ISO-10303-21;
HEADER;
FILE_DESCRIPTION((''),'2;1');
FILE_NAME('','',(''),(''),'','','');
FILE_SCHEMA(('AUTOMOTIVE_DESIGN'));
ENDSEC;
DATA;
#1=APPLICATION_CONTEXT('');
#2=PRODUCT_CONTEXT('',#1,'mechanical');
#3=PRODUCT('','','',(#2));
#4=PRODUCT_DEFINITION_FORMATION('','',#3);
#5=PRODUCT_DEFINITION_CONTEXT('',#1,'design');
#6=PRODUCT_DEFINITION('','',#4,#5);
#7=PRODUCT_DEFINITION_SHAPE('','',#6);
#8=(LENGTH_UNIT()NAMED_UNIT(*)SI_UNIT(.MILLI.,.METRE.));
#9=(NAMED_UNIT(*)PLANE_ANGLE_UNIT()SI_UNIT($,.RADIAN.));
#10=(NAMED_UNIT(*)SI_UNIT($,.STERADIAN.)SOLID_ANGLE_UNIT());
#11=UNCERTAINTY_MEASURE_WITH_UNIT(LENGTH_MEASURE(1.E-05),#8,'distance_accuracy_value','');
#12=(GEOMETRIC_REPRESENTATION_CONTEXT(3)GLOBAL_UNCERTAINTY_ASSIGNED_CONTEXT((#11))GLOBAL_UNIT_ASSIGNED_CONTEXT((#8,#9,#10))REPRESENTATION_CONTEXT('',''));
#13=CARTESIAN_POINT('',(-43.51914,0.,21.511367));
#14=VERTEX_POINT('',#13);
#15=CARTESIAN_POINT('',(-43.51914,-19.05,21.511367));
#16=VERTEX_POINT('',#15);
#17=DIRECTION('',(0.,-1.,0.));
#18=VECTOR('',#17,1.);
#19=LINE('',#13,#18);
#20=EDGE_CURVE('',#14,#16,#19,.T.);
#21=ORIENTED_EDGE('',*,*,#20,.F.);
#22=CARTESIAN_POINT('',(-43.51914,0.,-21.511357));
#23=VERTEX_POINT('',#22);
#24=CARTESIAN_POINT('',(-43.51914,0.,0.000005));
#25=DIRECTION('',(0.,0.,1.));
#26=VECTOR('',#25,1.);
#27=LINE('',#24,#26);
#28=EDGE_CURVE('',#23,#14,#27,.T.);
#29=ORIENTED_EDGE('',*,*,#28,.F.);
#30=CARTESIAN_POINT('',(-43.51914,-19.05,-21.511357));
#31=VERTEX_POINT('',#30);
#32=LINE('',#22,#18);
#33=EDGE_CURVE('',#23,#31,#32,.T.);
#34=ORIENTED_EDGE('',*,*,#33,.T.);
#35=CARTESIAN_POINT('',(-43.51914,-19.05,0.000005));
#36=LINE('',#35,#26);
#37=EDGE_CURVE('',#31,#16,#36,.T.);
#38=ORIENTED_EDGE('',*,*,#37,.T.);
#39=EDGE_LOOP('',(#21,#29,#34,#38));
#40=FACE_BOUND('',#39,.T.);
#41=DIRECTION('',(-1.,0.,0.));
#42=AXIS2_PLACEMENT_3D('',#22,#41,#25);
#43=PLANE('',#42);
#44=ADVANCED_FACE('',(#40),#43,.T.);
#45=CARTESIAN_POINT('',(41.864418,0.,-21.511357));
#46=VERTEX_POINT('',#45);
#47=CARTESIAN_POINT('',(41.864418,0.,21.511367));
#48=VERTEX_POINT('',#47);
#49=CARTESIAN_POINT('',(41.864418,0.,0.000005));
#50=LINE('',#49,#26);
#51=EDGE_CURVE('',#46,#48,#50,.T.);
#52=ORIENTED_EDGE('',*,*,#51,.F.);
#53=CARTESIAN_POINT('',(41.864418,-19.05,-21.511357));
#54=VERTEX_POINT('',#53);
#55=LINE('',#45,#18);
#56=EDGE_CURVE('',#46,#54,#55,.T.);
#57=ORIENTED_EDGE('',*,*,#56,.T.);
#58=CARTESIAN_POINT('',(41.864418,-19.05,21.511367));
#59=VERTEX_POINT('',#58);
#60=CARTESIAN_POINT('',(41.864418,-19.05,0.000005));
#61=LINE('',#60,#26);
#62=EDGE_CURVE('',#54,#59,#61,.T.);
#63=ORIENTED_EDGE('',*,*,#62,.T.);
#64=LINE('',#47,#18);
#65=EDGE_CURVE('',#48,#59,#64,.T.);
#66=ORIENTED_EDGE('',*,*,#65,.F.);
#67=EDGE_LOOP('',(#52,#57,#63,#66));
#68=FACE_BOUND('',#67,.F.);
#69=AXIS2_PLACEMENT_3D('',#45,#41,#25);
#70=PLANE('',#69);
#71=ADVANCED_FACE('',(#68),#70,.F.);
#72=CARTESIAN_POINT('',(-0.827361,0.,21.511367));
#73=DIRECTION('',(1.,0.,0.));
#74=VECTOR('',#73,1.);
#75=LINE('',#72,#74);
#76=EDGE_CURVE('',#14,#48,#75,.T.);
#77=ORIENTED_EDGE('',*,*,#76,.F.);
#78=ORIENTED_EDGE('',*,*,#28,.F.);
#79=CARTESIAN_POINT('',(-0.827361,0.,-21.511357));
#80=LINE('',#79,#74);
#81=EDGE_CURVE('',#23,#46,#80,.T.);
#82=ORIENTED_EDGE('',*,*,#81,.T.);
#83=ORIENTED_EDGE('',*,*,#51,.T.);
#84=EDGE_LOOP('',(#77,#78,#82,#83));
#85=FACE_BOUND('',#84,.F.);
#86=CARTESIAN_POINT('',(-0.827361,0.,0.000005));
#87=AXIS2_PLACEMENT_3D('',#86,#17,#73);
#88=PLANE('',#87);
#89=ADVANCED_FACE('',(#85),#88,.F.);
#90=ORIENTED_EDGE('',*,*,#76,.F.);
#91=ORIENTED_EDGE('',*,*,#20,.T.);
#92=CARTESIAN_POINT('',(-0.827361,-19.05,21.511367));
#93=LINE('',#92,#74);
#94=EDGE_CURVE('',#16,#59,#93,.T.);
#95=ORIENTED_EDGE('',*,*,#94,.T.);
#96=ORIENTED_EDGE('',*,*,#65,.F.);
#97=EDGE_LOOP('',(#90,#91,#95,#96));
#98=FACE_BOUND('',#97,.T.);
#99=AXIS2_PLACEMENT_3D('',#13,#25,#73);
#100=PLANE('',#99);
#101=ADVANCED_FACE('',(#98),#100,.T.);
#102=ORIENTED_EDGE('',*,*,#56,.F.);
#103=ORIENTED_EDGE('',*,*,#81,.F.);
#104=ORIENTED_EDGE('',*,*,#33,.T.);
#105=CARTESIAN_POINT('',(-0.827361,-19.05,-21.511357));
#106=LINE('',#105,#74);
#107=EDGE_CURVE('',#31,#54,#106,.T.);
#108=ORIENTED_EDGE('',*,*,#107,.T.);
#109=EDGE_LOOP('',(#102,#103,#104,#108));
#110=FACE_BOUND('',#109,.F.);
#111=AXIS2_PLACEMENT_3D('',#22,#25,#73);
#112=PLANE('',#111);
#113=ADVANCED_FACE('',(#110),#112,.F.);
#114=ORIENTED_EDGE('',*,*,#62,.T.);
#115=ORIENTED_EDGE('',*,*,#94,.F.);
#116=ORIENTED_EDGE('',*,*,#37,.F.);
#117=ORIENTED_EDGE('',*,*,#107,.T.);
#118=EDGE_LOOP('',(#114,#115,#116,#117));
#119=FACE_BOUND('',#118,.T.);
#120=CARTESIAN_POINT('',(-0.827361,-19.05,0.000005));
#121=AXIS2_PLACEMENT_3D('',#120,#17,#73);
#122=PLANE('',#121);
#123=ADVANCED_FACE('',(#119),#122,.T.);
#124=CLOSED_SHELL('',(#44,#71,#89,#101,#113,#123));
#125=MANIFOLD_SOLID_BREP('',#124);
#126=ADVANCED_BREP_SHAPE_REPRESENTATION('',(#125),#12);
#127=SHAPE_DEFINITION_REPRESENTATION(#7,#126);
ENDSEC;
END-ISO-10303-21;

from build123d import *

# Parameters (mm, degrees)
F0_W     = 85.383559
F0_H     = 43.022725
F1_DEPTH = 19.05


with BuildPart() as f1:
    # F0 (on Front) → F1 (new body)
    with BuildSketch(Plane.XZ):
        with Locations((-0.827361, 5e-06)):
            Rectangle(F0_W, F0_H)
    extrude(amount=F1_DEPTH)


solid = f1.part
